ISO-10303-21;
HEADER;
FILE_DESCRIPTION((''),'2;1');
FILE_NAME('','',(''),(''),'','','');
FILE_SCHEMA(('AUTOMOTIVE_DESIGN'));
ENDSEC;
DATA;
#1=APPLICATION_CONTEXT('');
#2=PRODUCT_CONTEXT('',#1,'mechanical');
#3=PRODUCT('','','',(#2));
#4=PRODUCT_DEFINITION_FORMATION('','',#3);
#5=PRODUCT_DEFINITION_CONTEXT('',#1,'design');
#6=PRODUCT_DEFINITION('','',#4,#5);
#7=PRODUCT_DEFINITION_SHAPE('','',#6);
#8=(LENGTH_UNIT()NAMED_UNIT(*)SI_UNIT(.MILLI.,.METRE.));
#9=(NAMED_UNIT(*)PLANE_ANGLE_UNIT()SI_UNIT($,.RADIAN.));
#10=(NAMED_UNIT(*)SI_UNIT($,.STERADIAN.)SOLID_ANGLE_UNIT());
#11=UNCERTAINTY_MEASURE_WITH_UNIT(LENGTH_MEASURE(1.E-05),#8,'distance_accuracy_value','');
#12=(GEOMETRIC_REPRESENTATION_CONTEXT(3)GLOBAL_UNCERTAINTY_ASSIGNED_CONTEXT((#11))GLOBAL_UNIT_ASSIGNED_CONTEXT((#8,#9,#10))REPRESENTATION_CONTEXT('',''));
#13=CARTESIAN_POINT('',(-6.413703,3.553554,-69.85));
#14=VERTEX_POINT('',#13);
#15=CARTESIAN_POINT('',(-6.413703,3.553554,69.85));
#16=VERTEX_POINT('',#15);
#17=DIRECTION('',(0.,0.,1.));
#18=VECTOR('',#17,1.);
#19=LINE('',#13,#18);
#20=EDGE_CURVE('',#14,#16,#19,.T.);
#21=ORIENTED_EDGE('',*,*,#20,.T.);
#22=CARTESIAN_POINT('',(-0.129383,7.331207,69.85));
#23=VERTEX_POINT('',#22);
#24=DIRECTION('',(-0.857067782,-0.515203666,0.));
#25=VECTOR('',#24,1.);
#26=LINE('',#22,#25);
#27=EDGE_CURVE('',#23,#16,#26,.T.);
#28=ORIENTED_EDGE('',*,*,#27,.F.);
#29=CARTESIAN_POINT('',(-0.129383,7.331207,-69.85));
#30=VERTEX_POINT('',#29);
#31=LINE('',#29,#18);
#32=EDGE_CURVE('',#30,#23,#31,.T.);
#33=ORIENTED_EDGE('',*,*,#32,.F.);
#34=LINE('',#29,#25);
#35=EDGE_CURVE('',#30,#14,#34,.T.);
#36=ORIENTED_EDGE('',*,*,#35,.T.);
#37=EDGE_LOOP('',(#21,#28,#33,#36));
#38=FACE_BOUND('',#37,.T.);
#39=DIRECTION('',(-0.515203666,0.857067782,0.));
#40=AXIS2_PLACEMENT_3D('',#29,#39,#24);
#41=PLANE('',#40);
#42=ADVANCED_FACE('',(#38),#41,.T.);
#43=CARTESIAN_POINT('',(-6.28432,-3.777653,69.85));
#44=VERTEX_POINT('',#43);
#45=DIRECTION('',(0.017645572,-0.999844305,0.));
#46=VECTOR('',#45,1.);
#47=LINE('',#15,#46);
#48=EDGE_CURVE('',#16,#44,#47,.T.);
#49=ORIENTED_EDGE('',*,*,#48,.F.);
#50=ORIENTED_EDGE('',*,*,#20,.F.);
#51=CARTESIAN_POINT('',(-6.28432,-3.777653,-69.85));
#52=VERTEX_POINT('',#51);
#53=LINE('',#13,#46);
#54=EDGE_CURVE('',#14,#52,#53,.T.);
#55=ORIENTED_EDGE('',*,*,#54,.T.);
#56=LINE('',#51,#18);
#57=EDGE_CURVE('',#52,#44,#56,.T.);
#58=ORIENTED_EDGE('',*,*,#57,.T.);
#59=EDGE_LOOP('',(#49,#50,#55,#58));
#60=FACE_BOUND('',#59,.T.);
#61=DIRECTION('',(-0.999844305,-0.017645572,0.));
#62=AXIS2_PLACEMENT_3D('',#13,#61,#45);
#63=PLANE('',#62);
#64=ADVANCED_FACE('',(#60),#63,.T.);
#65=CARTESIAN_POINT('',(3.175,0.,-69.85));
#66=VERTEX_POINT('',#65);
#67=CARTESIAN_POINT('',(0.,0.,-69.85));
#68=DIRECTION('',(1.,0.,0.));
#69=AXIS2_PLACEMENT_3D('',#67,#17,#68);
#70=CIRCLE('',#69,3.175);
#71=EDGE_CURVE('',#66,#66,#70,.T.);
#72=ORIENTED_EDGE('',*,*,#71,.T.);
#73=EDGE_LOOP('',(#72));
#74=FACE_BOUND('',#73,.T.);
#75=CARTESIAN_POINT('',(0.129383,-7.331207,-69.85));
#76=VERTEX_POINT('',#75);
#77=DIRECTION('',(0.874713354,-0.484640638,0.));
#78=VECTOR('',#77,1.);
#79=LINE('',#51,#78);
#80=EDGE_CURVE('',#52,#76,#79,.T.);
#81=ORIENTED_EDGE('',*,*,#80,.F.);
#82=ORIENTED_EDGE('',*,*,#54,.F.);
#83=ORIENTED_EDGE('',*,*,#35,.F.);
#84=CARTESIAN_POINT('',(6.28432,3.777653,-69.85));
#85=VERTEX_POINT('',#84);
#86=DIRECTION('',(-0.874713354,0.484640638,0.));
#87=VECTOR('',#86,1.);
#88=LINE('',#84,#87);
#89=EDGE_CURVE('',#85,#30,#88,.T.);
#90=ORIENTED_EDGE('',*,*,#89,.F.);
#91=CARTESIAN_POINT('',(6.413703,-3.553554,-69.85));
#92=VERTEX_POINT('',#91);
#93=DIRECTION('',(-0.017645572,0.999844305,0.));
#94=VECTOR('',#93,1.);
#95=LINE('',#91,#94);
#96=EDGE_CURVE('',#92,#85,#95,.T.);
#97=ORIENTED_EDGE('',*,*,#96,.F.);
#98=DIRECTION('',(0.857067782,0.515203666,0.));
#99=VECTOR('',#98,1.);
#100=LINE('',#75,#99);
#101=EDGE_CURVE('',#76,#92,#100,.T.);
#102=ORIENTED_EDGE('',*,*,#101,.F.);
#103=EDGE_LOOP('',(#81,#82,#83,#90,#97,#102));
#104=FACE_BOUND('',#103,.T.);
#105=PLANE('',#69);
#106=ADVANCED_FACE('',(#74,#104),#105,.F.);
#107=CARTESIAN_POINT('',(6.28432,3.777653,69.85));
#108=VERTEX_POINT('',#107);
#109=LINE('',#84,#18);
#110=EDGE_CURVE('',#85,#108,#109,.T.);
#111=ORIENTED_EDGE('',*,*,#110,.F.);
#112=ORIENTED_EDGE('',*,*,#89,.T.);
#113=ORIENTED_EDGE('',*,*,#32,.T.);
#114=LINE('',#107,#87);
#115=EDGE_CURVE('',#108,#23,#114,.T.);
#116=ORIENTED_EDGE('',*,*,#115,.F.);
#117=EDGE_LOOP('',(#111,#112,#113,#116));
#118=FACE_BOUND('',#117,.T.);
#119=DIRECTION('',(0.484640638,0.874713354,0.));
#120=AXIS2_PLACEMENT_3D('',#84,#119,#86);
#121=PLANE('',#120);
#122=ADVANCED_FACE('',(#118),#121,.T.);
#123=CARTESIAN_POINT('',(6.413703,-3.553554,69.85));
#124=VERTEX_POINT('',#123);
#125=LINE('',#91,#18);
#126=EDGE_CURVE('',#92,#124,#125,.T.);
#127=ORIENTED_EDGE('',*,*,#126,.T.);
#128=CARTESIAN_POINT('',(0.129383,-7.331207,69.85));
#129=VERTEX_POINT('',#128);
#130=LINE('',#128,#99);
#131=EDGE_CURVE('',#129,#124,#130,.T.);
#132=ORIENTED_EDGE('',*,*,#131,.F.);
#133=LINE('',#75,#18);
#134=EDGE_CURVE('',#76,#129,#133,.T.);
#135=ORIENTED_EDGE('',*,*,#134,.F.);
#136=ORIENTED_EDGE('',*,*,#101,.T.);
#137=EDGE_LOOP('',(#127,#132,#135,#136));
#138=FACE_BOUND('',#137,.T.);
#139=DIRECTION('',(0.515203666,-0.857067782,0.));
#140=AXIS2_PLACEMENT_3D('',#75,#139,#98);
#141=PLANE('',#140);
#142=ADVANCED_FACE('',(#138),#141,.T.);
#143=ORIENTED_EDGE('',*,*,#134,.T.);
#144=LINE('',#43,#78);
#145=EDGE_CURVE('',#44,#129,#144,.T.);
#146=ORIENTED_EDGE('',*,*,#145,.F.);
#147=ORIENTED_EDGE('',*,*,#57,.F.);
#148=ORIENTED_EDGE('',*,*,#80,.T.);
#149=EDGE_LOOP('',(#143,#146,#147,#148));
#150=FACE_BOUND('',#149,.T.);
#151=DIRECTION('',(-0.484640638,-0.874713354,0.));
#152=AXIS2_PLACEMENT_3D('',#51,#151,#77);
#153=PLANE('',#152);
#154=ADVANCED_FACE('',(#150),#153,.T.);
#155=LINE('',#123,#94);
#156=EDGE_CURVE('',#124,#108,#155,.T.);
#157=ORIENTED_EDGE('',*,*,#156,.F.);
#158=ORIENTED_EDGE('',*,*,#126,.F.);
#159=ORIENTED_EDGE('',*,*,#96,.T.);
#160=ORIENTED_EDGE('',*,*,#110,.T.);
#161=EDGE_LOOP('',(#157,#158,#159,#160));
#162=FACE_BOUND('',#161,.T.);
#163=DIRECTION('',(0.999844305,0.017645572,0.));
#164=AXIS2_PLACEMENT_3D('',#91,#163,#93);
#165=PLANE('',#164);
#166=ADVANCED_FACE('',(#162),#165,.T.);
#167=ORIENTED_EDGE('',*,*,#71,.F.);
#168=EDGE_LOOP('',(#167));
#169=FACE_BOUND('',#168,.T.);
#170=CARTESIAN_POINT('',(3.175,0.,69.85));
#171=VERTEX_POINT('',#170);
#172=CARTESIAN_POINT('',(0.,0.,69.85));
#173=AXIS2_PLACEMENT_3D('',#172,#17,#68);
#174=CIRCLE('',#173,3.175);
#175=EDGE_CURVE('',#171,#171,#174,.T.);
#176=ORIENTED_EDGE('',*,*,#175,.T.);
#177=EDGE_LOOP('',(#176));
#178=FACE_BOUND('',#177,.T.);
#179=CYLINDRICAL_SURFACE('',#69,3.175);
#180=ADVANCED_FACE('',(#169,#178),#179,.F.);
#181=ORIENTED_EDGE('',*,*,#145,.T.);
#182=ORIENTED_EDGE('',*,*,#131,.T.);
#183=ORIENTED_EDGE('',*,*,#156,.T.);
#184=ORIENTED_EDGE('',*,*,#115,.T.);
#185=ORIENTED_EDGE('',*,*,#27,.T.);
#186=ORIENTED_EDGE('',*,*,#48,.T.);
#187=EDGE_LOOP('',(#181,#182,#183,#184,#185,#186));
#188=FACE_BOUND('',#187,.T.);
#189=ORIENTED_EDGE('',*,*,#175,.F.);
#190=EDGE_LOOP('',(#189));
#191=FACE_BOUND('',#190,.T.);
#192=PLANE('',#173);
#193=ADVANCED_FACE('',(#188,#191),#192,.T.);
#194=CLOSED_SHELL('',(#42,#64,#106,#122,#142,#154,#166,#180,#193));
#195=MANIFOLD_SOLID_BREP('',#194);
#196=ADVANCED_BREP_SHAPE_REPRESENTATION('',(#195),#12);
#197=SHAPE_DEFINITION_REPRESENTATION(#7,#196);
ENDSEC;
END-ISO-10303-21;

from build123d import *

# Parameters (mm, degrees)
BOSS_EXTRUDE1_DEPTH      = 69.85
BOSS_EXTRUDE1_DEPTH_BACK = 69.85
SKETCH1_R                = 3.175


with BuildPart() as part:
    # Sketch1 → Boss-Extrude1 (new, two sides: drawn at the far end of the back side and taken through both)
    with BuildSketch(Plane.XY.offset(-BOSS_EXTRUDE1_DEPTH_BACK)):
        Polygon((6.284319593, 3.777652789), (-0.129383485, 7.331206807), (-6.413703078, 3.553554018), (-6.284319593, -3.777652789), (0.129383485, -7.331206807), (6.413703078, -3.553554018), align=None)
        Circle(SKETCH1_R, mode=Mode.SUBTRACT)
    extrude(amount=BOSS_EXTRUDE1_DEPTH + BOSS_EXTRUDE1_DEPTH_BACK)


solid = part.part
